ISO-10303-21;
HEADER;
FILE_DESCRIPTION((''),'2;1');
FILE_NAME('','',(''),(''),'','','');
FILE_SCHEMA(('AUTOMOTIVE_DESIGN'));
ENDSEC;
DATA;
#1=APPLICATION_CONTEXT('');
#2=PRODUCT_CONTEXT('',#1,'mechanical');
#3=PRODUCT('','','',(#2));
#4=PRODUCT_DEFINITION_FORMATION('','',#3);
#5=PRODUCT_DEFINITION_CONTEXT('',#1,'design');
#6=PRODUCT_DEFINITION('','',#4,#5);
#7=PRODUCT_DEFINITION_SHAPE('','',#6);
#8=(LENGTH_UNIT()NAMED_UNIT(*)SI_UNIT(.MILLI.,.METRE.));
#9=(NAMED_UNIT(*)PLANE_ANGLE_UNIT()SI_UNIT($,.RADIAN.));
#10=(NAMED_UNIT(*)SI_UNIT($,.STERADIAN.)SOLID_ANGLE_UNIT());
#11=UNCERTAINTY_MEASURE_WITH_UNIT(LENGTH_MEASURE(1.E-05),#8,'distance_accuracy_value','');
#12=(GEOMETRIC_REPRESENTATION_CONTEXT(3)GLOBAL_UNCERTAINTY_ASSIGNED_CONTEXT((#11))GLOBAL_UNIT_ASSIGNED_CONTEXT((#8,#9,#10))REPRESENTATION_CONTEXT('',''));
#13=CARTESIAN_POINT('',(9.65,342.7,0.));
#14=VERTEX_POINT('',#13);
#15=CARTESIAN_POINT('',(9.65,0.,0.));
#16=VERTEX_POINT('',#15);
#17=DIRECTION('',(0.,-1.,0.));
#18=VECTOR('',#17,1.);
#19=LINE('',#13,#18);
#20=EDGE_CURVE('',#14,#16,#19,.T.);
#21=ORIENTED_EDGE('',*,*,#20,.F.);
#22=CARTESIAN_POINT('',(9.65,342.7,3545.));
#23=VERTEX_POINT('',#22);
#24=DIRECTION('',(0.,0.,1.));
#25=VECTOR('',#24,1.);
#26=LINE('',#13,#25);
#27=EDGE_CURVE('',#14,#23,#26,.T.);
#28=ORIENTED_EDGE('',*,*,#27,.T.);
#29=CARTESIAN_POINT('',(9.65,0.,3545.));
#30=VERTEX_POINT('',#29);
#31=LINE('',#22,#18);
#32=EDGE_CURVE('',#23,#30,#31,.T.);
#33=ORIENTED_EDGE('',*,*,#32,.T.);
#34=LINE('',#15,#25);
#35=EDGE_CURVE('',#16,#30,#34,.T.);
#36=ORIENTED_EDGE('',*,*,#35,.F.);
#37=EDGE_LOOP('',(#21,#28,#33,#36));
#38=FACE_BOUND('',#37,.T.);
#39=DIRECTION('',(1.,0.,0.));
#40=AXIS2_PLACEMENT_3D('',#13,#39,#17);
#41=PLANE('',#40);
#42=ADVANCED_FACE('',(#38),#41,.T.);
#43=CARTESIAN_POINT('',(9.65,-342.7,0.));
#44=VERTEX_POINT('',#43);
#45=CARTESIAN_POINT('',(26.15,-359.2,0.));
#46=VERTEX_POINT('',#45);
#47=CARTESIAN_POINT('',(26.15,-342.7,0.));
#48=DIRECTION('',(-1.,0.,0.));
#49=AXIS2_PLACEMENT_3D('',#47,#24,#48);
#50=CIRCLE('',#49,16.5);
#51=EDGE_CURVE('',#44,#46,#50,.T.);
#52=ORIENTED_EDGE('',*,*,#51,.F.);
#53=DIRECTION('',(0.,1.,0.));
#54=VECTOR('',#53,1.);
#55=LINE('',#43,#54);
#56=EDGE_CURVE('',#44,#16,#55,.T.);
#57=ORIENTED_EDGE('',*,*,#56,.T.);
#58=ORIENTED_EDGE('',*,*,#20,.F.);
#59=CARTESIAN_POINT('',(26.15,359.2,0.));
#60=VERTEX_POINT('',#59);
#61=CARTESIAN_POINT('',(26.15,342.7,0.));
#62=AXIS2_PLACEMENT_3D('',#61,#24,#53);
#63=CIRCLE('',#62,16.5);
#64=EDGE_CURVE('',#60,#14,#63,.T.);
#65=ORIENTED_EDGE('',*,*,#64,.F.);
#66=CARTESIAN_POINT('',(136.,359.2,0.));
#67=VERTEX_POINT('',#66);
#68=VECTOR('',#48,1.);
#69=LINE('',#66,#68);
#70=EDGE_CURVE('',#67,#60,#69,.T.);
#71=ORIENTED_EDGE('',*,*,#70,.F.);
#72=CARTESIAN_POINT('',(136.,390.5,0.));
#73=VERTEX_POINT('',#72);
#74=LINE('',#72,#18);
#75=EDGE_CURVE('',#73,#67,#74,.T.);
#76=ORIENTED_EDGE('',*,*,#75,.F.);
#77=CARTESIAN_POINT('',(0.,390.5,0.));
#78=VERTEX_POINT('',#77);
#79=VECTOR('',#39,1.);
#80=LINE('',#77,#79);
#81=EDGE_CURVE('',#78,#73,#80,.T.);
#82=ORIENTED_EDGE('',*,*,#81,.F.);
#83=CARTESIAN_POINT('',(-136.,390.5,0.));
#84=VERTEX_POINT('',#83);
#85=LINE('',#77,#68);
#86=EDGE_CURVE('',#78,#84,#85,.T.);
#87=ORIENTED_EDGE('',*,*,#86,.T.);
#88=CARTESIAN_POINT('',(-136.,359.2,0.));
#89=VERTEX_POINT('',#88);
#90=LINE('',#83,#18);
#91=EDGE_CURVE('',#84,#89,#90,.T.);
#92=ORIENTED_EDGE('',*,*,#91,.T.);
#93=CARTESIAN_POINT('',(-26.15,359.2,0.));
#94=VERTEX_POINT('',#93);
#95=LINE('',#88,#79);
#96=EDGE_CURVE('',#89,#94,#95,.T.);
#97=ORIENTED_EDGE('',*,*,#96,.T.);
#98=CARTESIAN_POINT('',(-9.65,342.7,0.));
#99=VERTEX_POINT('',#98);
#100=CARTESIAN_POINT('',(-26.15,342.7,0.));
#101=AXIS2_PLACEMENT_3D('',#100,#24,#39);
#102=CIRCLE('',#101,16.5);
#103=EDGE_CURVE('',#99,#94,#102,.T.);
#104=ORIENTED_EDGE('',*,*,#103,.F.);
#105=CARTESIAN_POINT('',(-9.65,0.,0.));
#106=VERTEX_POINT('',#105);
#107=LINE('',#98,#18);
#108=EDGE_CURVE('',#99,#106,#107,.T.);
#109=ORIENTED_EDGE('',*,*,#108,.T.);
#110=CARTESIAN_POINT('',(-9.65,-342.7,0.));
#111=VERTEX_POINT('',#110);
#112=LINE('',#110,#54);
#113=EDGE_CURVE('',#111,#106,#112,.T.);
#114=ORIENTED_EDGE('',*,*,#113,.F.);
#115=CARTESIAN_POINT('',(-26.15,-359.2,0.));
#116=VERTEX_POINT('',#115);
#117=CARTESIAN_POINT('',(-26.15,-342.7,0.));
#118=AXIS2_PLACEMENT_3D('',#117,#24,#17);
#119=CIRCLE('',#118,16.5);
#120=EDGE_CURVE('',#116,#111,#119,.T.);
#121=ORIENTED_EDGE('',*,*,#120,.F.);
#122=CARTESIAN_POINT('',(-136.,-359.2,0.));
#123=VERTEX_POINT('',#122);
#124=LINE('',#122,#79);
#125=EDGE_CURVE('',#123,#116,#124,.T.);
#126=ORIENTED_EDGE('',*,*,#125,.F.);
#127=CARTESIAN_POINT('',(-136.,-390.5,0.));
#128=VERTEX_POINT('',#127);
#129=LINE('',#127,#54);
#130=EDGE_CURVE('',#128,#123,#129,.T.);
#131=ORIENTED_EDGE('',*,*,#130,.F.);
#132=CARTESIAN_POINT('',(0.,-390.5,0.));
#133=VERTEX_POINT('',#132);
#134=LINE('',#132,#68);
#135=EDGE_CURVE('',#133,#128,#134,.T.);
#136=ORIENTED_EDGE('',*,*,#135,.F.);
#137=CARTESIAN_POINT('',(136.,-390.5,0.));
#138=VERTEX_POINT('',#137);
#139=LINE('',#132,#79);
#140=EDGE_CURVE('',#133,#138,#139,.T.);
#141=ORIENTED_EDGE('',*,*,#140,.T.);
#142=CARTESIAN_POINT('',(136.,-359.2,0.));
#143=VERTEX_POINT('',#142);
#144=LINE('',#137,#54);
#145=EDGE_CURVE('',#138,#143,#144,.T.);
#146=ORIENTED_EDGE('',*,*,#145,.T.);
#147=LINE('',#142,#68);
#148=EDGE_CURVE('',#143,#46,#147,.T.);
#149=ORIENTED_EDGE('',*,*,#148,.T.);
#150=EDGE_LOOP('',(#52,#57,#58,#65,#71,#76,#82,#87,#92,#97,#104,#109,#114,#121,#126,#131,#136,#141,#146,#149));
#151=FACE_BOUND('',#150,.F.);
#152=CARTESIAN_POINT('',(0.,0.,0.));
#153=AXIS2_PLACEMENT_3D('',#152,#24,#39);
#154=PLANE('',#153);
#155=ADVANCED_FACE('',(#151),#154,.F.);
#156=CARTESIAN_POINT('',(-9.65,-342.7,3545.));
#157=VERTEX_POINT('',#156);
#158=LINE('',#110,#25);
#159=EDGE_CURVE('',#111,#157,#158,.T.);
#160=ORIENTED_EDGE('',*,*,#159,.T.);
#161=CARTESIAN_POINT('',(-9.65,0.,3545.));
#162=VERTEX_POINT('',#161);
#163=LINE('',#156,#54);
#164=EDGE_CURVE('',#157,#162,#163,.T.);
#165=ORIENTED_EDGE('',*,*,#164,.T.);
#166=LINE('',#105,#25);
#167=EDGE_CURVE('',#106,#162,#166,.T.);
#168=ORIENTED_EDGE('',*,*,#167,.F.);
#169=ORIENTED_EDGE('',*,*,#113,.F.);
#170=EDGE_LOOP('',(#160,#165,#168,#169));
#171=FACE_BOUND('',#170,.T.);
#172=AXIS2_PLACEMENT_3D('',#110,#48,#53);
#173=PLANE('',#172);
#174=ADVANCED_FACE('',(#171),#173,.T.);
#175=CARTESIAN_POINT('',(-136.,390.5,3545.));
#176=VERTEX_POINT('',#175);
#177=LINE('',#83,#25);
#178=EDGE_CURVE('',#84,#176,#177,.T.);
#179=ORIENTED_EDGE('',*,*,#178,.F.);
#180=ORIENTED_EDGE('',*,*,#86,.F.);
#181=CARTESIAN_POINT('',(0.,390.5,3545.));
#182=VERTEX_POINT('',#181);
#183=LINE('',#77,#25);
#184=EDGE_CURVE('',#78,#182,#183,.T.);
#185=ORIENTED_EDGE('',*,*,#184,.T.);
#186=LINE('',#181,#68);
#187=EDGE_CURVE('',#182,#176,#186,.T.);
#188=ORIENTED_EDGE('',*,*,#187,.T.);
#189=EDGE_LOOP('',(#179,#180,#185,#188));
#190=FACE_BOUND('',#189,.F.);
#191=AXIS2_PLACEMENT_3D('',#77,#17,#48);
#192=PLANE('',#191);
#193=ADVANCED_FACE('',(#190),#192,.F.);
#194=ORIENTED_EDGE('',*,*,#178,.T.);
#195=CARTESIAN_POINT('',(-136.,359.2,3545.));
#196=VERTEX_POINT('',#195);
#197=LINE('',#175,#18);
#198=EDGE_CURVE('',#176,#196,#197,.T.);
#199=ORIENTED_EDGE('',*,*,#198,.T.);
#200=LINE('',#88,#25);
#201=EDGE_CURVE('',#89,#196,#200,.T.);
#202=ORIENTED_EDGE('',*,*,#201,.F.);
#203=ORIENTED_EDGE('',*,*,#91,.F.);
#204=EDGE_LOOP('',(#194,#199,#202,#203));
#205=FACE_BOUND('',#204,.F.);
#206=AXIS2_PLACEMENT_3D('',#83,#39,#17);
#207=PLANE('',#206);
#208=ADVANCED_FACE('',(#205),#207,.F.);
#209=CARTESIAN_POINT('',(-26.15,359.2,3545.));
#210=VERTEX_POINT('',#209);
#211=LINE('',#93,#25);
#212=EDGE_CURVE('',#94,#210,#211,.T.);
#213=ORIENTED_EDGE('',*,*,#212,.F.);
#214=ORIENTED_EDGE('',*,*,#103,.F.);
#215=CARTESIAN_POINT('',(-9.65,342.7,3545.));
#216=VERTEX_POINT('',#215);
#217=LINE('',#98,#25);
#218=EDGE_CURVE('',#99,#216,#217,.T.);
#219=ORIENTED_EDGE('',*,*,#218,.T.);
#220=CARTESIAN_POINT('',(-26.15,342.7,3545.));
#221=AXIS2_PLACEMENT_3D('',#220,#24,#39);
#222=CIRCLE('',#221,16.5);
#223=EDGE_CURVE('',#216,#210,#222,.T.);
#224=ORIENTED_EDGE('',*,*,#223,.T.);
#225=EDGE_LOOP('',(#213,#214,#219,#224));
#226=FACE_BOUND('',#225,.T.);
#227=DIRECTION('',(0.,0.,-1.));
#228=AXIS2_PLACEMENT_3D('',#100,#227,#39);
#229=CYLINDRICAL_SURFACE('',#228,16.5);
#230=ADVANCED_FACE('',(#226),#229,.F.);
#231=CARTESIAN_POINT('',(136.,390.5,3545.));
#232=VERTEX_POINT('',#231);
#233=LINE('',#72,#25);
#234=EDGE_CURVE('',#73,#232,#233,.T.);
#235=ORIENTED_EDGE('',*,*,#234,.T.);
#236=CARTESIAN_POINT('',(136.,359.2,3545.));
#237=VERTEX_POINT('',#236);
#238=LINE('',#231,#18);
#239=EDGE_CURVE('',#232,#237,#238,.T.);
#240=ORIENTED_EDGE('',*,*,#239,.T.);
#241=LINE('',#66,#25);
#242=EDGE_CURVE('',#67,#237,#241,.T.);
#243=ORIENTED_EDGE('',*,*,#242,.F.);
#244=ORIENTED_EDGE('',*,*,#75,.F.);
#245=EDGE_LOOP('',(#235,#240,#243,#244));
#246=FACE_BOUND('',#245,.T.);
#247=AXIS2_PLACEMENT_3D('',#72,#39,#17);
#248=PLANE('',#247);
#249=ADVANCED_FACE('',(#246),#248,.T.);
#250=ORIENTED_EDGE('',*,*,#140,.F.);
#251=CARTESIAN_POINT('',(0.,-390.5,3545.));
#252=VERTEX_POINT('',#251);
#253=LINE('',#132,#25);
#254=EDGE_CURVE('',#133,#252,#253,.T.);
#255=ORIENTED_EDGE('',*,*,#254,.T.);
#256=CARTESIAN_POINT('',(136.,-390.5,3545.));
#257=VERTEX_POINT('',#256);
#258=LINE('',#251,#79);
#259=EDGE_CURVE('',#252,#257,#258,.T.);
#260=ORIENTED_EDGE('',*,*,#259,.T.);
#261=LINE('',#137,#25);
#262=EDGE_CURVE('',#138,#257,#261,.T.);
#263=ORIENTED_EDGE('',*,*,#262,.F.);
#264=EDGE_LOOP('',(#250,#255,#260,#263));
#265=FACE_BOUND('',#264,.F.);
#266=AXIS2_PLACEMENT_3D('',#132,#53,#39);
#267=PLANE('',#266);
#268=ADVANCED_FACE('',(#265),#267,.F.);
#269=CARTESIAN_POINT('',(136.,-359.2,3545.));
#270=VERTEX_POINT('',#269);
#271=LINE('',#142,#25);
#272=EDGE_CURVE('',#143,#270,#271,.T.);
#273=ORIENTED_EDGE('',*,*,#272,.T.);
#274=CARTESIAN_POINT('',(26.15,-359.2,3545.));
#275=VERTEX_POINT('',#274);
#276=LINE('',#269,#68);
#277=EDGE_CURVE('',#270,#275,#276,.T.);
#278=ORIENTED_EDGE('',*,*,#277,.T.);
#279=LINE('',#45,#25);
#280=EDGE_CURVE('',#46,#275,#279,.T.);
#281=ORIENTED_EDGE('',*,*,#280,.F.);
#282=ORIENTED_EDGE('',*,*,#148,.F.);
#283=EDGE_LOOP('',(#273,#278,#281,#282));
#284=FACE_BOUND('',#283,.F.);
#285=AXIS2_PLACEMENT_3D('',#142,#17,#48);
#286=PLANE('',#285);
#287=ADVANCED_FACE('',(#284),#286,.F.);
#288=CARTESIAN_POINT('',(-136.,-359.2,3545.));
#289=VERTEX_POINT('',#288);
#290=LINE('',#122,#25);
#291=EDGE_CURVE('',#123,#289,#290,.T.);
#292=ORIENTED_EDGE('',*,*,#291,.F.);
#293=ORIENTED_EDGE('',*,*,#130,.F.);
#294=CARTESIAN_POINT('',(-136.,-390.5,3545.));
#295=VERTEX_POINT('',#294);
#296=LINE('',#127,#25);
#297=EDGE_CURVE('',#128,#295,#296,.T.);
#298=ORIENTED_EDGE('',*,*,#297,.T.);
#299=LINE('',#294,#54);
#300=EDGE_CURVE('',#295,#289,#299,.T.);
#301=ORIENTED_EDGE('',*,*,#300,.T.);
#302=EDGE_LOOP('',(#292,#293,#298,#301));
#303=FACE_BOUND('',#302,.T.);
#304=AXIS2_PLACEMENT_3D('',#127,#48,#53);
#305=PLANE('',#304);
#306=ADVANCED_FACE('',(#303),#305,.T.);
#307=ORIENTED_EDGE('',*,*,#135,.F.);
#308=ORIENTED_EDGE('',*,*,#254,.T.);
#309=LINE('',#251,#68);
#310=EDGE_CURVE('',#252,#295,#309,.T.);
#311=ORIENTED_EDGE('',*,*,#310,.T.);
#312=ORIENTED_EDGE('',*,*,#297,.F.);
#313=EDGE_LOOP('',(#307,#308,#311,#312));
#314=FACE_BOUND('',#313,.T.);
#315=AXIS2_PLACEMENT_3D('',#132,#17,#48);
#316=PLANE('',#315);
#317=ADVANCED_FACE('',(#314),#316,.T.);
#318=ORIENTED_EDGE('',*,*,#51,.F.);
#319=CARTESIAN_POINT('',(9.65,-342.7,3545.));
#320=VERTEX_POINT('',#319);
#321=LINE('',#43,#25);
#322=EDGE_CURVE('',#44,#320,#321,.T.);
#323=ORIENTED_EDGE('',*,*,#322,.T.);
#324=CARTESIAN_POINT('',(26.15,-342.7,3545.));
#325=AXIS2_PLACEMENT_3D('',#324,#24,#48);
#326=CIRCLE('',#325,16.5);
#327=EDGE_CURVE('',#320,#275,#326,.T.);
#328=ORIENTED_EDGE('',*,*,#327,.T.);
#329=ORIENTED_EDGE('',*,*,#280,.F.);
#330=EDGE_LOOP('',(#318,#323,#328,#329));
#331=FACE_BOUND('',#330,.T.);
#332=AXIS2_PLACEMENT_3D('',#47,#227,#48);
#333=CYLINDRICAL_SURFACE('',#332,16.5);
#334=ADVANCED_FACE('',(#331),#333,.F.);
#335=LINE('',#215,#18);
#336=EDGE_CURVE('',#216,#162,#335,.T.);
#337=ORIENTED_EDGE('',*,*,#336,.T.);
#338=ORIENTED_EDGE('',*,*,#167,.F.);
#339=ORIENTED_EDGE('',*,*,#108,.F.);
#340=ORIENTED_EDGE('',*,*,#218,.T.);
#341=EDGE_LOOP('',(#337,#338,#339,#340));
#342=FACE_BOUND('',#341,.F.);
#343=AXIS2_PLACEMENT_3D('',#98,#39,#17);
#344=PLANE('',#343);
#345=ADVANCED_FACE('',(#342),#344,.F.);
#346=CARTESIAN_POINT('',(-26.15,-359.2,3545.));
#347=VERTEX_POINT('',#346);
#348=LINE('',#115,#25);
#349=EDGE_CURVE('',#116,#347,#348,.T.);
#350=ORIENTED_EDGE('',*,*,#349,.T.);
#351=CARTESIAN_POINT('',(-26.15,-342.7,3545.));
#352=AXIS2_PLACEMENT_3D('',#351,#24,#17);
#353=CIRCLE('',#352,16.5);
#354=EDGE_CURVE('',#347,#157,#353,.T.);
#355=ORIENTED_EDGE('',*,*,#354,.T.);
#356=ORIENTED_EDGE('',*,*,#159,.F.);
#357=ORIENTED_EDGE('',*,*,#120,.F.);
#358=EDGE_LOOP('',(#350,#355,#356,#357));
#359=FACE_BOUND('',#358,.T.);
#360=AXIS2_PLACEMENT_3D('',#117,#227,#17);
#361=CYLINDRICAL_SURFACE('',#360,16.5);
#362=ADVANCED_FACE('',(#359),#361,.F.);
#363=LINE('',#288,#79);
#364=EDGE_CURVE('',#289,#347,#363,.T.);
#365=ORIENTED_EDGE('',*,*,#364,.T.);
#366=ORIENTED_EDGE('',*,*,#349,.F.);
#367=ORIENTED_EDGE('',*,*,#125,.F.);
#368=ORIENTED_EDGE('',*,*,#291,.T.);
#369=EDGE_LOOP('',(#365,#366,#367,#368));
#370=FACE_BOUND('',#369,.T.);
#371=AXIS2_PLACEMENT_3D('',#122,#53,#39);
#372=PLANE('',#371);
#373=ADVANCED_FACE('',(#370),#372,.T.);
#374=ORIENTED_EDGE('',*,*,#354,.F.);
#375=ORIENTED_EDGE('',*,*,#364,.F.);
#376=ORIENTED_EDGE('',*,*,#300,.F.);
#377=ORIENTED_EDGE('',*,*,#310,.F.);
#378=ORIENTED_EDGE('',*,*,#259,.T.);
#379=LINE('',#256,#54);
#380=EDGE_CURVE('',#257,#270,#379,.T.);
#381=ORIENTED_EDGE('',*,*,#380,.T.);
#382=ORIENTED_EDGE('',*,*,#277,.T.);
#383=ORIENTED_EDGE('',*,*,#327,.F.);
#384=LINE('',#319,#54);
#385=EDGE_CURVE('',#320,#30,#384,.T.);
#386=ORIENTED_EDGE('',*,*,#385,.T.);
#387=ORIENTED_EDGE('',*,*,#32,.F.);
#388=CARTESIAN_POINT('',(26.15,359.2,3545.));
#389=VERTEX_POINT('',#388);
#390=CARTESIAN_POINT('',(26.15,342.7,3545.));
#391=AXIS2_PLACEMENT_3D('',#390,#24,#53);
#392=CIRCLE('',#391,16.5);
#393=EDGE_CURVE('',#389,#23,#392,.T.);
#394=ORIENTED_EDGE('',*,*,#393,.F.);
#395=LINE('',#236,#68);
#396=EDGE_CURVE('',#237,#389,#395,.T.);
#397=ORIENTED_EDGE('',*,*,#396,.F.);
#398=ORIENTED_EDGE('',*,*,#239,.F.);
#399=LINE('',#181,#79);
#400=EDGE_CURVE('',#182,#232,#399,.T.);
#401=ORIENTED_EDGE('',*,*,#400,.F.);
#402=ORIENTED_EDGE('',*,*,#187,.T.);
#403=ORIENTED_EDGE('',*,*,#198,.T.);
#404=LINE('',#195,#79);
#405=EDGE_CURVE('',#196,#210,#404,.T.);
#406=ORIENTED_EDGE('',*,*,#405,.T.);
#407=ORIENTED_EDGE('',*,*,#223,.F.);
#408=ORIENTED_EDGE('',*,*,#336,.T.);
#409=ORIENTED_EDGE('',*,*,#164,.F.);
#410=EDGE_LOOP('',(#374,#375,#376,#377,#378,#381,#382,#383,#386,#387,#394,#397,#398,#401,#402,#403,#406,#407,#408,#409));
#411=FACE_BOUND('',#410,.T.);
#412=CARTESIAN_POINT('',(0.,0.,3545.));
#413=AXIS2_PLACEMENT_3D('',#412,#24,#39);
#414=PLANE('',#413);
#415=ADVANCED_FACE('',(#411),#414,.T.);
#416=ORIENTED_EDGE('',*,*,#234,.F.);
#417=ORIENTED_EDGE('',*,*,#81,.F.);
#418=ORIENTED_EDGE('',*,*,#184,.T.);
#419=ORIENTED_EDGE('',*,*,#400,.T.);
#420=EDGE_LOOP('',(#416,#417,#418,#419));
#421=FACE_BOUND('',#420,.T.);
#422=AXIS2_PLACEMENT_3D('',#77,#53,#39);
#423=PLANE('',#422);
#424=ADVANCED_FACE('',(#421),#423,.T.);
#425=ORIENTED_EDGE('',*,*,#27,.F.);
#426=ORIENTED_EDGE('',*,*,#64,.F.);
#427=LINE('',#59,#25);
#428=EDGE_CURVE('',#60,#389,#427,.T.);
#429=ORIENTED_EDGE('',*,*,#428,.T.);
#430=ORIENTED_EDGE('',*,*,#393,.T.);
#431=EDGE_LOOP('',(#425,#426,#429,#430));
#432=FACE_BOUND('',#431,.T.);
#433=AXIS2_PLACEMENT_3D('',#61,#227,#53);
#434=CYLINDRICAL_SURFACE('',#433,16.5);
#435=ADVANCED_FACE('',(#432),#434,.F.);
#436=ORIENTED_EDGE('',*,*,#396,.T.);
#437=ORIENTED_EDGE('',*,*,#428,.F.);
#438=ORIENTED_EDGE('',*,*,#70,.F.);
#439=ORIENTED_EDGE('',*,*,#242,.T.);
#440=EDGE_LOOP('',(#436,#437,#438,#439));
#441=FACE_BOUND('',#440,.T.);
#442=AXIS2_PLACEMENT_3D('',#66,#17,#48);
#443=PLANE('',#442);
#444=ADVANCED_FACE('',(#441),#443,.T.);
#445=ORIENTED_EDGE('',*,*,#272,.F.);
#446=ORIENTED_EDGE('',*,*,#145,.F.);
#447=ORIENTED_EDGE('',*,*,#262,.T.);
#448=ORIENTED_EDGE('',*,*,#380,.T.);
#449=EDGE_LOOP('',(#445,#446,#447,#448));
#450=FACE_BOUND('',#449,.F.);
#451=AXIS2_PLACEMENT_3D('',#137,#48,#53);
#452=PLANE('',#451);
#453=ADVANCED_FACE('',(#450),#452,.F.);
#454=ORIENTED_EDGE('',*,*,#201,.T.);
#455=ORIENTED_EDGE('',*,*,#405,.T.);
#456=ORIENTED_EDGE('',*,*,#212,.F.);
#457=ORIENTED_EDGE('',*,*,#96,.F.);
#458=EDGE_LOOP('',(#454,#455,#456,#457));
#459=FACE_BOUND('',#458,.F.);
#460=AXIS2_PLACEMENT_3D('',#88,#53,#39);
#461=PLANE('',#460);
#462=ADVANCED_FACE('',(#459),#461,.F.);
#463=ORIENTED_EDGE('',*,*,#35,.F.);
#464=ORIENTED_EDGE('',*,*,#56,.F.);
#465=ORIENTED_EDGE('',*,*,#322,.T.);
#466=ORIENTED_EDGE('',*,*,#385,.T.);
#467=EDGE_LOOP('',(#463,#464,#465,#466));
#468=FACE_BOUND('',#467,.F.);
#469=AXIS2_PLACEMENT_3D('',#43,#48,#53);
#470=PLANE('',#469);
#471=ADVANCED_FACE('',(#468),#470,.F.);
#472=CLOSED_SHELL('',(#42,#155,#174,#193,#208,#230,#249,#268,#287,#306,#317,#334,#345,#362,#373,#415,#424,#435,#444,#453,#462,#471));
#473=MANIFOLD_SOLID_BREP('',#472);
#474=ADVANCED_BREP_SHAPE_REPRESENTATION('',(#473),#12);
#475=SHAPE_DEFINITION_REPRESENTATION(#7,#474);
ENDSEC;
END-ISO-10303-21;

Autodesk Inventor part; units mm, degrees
ref_plane "YZ Plane" through (0, 0, 0) normal (1, 0, 0) x (0, 1, 0)
ref_plane "Start plane" through (0, 0, 0) normal (0, 0, 1) x (1, 0, 0)
ref_plane "End plane" through (0, 0, 3545) normal (0, 0, 1) x (1, 0, 0)
sketch "Sketch" plane through (0, 0, 0) normal (0, 0, 1) x (1, 0, 0)
  line L0 (-136, -390.5) -> (-136, -359.2)
  line L1 (-136, -359.2) -> (-26.15, -359.2)
  line L2 (-9.65, -342.7) -> (-9.65, 0)
  line L3 (-9.65, 0) -> (0, 0) construction
  line L4 (0, 0) -> (0, -390.5) construction
  line L5 (0, -390.5) -> (-136, -390.5)
  line L6 (-60, 0) -> (80, 0) construction
  line L7 (0, -60) -> (0, 80) construction
  line L8 (136, -390.5) -> (136, -359.2)
  line L9 (136, -359.2) -> (26.15, -359.2)
  line L10 (9.65, -342.7) -> (9.65, 0)
  line L11 (9.65, 0) -> (0, 0) construction
  line L12 (0, -390.5) -> (136, -390.5)
  line L13 (-136, 390.5) -> (-136, 359.2)
  line L14 (-136, 359.2) -> (-26.15, 359.2)
  line L15 (-9.65, 342.7) -> (-9.65, 0)
  line L16 (0, 390.5) -> (-136, 390.5)
  line L17 (136, 390.5) -> (136, 359.2)
  line L18 (136, 359.2) -> (26.15, 359.2)
  line L19 (0, 390.5) -> (136, 390.5)
  line L20 (9.65, 342.7) -> (9.65, 0)
  arc A0 (-9.65, 342.7) -> (-26.15, 359.2) centre (-26.15, 342.7) ccw
  arc A1 (26.15, 359.2) -> (9.65, 342.7) centre (26.15, 342.7) ccw
  arc A2 (9.65, -342.7) -> (26.15, -359.2) centre (26.15, -342.7) ccw
  arc A3 (-26.15, -359.2) -> (-9.65, -342.7) centre (-26.15, -342.7) ccw
  line L21 (0, 108) -> (0, -88) construction
  line L22 (-88, 0) -> (108, 0) construction
  point P0 (-9.65, -359.2)
  point P1 (9.65, -359.2)
  point P2 (-9.65, 359.2)
  point P3 (9.65, 359.2)
  dimension "d1" = 390.5
  dimension "d2" = 31.3
  dimension "d3" = 136
  dimension "d4" = 9.65
  dimension "d10" = 16.5
extrude "Body" add sketch "Sketch" along normal up to surface (3545 mm away) from surface at 0
sketch "Sketch4" plane through (0, 0, 0) normal (0, 0, 1) x (1, 0, 0)
  line L0 (0, 0) -> (10, 0)
ref_plane "Work Plane3" through (0, 0, 0) normal (0, -1, 0) x (1, 0, 0)
sketch "Sketch5" plane through (0, 0, 0) normal (0, -1, 0) x (1, 0, 0)
  line L0 (-2, 0) -> (12, 0) projected
  line L1 (-2, 3545) -> (12, 3545) projected
  dimension "d14" = 3545
equation "\"d1\" = 0.5 * G_H"
equation "\"d2\" = G_T1"
equation "\"d3\" = 0.5 * G_W"
equation "\"d4\" = 0.5 * G_T"
equation "\"d10\" = G_IR"
equation "\"d5\" = G_L"
equation "\"G_W\" = 272"
equation "\"G_H\" = 781"
equation "\"G_T\" = 19.3"
equation "\"G_T1\" = 31.3"
equation "\"G_IR\" = 16.5"
equation "\"G_L\" = d14"
equation "\"G_OFFSET_START\" = 0"
equation "\"G_OFFSET_END\" = 0"
equation "\"d12\" = G_OFFSET_END + B_L"
equation "\"B_L\" = 3545"
properties part number "AS 3679-1990 - 760 UB - 244 - 3545" material "Steel, Mild"
